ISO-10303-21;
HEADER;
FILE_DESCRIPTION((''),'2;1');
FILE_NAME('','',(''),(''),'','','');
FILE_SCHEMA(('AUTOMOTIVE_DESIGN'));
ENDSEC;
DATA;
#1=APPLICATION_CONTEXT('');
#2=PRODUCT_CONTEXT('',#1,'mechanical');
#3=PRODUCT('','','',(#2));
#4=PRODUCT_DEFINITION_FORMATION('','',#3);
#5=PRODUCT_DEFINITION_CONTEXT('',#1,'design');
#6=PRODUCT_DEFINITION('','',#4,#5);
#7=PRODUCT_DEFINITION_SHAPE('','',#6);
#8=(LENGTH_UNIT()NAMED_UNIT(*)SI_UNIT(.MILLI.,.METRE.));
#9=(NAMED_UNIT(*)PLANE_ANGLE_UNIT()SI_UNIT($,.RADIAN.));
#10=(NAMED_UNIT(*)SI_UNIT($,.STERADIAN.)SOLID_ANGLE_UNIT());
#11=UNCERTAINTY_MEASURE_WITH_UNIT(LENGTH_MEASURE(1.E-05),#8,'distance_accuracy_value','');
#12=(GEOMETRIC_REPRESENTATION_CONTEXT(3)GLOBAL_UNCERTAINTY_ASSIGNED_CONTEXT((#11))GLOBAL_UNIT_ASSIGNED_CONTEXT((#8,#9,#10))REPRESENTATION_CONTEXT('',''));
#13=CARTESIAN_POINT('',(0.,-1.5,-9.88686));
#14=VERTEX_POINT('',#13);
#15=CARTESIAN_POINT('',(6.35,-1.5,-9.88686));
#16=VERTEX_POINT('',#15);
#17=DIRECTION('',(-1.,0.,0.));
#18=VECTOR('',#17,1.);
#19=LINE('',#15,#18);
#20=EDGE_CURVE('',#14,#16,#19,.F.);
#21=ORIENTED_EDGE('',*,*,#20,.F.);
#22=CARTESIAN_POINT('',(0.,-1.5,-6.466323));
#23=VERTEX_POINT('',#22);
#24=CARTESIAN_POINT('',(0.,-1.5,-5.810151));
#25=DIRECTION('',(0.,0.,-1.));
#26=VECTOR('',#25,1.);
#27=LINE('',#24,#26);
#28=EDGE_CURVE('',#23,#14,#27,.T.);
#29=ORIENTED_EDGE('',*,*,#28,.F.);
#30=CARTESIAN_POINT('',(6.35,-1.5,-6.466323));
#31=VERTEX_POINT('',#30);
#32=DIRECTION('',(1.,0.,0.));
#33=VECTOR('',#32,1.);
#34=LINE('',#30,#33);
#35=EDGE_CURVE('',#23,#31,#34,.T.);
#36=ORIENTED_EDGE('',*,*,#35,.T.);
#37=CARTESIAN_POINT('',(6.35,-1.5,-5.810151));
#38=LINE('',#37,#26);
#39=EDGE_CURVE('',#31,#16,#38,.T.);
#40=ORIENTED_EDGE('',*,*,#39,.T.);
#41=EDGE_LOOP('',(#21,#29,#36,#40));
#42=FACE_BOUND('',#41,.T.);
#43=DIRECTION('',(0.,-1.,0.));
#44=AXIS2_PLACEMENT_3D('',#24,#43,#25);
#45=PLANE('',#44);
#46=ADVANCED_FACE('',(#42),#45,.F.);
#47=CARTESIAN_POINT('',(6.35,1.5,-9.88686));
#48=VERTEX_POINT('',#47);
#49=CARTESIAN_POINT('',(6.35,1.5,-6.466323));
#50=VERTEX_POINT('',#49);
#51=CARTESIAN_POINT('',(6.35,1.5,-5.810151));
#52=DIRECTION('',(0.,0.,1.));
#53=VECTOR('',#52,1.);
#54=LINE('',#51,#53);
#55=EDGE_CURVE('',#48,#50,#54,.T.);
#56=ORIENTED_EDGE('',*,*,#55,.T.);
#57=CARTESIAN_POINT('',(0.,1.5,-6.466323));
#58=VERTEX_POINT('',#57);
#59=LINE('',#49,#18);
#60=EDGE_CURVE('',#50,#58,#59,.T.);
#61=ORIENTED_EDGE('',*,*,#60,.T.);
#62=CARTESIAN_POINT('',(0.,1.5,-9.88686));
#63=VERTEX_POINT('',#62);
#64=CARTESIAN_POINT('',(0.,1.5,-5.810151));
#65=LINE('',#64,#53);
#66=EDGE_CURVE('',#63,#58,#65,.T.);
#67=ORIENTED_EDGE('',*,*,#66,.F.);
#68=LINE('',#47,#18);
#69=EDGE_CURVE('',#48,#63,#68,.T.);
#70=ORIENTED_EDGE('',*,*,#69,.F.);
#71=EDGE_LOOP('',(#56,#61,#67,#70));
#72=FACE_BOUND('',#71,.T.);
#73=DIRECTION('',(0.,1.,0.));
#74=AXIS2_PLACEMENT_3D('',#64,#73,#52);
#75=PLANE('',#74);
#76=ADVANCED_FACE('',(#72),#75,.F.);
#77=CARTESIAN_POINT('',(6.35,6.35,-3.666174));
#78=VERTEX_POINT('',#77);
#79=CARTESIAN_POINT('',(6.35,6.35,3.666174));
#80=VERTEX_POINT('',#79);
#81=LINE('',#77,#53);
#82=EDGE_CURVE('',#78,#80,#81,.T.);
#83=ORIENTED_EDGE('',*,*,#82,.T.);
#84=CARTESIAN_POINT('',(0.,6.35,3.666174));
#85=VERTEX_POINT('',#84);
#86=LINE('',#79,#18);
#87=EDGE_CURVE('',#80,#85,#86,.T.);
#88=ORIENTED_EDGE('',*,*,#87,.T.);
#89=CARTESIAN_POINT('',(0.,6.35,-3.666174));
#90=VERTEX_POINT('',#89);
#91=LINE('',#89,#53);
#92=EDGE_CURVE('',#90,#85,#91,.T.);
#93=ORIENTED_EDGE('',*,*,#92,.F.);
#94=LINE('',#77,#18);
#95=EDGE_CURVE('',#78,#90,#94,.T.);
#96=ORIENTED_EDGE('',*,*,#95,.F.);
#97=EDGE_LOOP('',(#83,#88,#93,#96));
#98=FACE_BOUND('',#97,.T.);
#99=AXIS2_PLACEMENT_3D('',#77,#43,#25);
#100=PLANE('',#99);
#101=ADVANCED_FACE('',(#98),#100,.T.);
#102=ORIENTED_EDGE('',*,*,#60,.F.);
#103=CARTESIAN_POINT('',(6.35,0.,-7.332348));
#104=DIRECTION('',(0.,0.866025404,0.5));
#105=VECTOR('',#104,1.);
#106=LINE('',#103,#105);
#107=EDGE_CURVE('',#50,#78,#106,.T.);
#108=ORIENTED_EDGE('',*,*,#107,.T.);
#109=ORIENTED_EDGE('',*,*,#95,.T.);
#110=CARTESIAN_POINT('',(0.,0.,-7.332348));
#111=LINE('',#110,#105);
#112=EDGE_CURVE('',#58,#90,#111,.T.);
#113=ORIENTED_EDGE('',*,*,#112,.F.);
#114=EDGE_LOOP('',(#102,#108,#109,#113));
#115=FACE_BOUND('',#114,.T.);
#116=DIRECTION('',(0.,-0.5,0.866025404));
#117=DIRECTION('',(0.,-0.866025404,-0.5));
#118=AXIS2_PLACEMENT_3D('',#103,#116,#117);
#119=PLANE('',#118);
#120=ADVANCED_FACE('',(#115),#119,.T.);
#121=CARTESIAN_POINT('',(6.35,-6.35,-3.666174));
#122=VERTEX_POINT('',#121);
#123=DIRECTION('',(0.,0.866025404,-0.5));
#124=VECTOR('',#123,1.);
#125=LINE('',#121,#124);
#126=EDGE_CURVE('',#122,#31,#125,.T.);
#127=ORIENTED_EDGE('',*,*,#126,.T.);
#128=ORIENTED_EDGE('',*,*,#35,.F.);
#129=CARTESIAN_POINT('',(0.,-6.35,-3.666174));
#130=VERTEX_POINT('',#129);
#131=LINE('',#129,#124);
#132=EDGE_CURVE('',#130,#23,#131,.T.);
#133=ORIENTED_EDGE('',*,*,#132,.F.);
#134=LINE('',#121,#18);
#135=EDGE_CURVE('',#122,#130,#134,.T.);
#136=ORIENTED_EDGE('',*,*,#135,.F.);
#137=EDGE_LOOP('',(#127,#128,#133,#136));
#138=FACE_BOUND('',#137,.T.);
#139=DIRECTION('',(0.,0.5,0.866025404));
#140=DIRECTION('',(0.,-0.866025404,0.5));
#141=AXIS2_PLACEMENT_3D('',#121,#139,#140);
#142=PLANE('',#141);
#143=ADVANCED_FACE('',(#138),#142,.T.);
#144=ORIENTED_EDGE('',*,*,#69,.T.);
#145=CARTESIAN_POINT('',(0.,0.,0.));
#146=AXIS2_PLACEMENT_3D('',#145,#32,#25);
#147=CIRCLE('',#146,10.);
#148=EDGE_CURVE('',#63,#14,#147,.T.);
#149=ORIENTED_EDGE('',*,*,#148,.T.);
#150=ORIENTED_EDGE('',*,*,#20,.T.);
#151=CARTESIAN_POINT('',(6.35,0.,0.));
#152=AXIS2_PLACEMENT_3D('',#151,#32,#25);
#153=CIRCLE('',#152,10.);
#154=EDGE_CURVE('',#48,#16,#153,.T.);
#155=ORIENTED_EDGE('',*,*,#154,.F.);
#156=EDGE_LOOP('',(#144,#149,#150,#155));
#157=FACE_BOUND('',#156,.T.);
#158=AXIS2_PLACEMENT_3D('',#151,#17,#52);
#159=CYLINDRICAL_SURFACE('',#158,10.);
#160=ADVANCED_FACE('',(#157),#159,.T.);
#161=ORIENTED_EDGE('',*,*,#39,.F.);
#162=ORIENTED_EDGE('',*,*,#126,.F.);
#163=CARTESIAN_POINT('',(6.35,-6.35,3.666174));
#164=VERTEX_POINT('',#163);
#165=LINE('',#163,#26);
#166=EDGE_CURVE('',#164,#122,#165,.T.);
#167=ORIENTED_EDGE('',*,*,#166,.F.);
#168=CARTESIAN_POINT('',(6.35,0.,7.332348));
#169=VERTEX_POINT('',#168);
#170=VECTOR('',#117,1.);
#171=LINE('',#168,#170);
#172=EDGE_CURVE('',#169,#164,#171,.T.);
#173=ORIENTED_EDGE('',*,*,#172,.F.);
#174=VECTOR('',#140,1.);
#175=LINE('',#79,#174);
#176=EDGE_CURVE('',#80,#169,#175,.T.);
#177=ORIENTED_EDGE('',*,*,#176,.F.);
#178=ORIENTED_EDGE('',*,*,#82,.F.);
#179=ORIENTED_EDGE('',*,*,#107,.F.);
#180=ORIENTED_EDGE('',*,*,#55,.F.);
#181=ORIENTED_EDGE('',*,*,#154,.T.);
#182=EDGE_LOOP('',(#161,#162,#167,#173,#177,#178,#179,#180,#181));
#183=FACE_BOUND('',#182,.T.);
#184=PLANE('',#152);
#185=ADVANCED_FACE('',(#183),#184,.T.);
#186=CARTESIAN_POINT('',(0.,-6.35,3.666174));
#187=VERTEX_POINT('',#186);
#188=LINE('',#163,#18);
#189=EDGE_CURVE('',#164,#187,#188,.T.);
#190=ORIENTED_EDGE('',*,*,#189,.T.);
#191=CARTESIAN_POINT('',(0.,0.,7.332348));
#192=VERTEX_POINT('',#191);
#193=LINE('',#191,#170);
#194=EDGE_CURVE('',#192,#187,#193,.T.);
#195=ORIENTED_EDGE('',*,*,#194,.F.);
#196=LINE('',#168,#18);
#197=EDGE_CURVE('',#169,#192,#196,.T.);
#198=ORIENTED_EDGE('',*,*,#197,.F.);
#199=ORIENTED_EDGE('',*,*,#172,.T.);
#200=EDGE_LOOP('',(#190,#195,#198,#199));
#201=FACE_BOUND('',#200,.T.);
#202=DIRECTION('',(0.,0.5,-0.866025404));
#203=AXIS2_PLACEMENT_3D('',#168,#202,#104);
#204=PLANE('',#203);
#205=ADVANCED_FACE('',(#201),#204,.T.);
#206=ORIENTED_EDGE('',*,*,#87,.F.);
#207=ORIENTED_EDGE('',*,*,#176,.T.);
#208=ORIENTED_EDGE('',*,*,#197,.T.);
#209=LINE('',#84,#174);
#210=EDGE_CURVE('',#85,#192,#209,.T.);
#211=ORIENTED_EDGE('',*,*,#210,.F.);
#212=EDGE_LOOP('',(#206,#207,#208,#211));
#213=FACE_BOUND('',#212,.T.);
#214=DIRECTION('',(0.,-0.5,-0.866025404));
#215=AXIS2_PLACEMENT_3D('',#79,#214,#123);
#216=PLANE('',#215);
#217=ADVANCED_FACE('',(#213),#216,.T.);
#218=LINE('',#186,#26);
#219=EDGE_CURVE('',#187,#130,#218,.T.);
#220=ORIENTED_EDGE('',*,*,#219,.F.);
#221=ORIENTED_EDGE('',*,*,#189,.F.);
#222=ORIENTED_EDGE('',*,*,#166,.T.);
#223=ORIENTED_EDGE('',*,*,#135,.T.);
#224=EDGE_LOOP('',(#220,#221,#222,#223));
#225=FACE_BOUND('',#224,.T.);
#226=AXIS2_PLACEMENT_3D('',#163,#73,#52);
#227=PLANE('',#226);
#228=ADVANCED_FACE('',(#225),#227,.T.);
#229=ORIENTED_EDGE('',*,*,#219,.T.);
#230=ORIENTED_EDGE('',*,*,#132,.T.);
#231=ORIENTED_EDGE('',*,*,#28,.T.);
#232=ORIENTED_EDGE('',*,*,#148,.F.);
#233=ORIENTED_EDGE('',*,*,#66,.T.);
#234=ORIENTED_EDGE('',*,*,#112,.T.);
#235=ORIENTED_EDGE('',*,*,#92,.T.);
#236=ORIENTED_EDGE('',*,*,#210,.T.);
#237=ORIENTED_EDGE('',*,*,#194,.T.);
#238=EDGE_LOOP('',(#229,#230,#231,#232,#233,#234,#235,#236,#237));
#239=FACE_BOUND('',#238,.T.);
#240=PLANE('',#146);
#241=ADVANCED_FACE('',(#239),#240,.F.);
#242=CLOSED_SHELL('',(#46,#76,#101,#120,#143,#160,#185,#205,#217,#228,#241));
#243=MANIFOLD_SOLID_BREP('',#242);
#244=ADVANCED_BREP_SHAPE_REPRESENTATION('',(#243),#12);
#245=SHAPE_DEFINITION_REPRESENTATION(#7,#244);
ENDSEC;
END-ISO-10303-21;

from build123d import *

# Parameters (mm, degrees)
SKETCH1_R           = 10
BOSS_EXTRUDE1_DEPTH = 6.35
SKETCH2_W           = 5.600108675
SKETCH2_H           = 3
CUT_EXTRUDE1_DEPTH  = 7.35


with BuildPart() as part:
    # Sketch1 → Boss-Extrude1 (new body)
    with BuildSketch(Plane(origin=(0, 0, 0), x_dir=(0, 0, -1), z_dir=(1, 0, 0))):
        Circle(SKETCH1_R)
        Polygon((7.332348419, 0), (3.666174209, 6.35), (-3.666174209, 6.35), (-7.332348419, 0), (-3.666174209, -6.35), (3.666174209, -6.35), align=None, mode=Mode.SUBTRACT)
    extrude(amount=BOSS_EXTRUDE1_DEPTH)

    # Sketch2 → Cut-Extrude1 (cut, through all)
    with BuildSketch(Plane(origin=(6.35, 0, 0), x_dir=(0, 0, -1), z_dir=(1, 0, 0))):
        with Locations((8.610205328, 0)):
            Rectangle(SKETCH2_W, SKETCH2_H)
    extrude(amount=-CUT_EXTRUDE1_DEPTH, mode=Mode.SUBTRACT)


solid = part.part
